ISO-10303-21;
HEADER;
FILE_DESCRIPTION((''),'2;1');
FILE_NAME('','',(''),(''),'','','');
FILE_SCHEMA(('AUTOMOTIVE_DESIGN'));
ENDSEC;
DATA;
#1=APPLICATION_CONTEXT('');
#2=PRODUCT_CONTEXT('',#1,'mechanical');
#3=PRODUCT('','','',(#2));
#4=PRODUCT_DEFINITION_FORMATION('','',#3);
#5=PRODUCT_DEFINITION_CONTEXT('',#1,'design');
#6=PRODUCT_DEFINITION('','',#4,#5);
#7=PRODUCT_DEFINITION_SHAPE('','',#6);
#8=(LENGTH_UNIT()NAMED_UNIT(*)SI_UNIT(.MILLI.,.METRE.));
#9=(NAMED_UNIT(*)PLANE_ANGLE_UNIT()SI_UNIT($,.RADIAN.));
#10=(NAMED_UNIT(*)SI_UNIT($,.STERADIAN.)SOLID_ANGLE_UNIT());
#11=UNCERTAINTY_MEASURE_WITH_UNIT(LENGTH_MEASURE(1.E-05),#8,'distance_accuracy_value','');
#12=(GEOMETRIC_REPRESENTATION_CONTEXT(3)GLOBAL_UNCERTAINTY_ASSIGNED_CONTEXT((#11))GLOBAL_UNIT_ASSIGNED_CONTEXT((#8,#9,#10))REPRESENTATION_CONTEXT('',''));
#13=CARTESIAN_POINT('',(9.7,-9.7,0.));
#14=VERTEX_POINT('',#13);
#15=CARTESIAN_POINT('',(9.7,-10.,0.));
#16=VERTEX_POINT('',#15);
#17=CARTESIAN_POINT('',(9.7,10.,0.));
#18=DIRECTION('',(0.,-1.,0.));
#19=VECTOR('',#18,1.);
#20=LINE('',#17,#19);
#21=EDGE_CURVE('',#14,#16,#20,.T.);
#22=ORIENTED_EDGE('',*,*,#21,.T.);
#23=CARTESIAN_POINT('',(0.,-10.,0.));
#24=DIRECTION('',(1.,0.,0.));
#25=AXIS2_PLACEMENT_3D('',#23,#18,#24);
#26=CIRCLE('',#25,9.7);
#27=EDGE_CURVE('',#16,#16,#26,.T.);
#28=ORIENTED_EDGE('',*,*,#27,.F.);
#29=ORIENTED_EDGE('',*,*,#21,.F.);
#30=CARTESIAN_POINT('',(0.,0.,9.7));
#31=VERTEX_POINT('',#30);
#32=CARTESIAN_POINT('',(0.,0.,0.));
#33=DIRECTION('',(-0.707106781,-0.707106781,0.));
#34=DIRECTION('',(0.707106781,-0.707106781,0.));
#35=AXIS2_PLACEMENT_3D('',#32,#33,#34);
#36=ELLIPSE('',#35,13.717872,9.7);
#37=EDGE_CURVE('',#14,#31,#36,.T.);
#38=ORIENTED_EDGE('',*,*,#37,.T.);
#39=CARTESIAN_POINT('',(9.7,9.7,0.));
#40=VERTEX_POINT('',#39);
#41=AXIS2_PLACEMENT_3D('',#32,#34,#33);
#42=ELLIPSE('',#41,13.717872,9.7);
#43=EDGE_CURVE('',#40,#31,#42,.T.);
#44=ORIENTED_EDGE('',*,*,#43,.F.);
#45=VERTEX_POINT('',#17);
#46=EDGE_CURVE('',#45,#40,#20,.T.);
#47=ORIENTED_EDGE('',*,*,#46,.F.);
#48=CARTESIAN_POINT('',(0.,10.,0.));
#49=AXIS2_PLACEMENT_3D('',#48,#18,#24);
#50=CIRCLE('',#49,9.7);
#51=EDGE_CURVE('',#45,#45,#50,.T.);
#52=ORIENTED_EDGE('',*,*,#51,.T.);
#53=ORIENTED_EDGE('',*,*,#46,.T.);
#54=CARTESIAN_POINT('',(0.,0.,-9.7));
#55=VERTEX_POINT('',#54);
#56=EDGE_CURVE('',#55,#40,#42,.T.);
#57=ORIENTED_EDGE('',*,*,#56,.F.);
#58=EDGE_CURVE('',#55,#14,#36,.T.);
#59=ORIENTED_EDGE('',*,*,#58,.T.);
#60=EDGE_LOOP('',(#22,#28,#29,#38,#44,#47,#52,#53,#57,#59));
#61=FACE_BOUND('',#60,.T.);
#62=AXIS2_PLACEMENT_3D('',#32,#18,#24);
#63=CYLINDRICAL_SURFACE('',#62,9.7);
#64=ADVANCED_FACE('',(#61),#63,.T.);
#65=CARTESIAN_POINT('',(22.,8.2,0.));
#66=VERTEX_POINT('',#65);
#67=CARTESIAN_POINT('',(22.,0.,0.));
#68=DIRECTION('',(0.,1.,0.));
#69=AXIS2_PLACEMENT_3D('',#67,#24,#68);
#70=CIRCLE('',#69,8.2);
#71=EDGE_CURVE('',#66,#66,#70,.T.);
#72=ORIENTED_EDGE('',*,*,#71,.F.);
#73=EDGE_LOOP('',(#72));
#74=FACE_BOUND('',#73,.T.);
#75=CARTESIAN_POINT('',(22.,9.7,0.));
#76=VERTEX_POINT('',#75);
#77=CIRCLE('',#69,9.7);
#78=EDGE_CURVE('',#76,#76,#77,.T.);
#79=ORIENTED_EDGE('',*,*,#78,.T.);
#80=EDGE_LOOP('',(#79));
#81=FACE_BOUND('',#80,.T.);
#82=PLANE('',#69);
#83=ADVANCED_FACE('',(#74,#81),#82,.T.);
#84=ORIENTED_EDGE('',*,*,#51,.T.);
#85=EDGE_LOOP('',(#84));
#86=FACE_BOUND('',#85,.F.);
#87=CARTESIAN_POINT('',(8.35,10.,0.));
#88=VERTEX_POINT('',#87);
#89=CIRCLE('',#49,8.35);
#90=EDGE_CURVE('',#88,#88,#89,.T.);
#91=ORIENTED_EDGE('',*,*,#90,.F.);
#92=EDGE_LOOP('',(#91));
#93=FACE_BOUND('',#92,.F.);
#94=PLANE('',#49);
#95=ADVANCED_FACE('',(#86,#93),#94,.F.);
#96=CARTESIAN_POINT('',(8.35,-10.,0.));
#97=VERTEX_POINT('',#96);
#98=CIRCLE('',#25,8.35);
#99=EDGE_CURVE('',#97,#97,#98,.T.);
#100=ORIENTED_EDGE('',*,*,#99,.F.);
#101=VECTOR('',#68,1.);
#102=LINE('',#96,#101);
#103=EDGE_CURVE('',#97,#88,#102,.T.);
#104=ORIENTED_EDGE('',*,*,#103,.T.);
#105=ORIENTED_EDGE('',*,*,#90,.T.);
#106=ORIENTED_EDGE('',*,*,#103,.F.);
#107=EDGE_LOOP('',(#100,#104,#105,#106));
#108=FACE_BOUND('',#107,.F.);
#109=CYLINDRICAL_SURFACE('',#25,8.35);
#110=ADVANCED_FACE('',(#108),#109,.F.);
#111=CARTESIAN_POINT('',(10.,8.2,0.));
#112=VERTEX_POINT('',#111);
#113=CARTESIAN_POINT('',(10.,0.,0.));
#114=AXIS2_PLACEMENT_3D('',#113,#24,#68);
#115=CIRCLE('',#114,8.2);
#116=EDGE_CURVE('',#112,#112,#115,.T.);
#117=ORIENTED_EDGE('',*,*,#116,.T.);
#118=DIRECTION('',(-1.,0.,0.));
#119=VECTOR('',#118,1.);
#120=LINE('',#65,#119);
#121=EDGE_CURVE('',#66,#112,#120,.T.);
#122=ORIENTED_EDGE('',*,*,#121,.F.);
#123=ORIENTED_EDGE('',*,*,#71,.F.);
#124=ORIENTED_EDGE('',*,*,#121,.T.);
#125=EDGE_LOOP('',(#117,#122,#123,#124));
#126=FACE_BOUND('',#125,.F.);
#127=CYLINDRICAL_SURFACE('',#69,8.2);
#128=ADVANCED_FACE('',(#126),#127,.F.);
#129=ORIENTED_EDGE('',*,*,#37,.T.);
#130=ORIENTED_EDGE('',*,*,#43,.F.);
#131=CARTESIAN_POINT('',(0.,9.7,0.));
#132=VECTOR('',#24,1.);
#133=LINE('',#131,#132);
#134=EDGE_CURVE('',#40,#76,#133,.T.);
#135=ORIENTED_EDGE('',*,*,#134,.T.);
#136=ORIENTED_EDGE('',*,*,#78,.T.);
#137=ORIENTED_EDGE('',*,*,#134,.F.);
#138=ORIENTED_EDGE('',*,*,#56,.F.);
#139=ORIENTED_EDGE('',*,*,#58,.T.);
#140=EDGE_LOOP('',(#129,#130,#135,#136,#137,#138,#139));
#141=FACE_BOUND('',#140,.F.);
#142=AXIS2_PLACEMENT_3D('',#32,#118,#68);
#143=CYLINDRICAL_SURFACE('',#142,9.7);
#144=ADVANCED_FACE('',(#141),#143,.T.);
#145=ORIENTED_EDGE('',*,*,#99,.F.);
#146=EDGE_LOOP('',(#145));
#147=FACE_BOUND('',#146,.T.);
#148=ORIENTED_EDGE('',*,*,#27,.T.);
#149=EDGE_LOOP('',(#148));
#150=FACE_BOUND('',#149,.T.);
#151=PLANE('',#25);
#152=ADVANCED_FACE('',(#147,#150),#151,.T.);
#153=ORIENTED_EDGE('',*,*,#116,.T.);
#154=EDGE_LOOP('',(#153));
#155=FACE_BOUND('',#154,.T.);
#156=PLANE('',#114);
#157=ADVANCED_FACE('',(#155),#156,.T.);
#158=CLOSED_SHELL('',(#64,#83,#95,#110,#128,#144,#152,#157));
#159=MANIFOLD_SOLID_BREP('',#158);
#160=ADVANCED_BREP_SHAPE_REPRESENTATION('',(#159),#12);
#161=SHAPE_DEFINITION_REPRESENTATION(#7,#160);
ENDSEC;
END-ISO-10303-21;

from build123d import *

# Parameters (mm, degrees)
SKETCH022_R     = 9.7
PAD007_DEPTH    = 10
SKETCH023_R     = 9.7
PAD008_DEPTH    = 22
SKETCH024_R     = 8.35
POCKET013_DEPTH = 23
SKETCH025_R     = 8.2
POCKET014_DEPTH = 12


with BuildPart() as part:
    # Sketch022 → Pad007 (new body, symmetric)
    with BuildSketch(Plane.XZ):
        Circle(SKETCH022_R)
    extrude(amount=PAD007_DEPTH, both=True)

    # Sketch023 → Pad008 (join)
    with BuildSketch(Plane.YZ):
        Circle(SKETCH023_R)
    extrude(amount=PAD008_DEPTH)

    # Sketch024 → Pocket013 (cut)
    with BuildSketch(Plane.XZ.offset(10)):
        Circle(SKETCH024_R)
    extrude(amount=-POCKET013_DEPTH, mode=Mode.SUBTRACT)

    # Sketch025 → Pocket014 (cut)
    with BuildSketch(Plane.YZ.offset(22)):
        Circle(SKETCH025_R)
    extrude(amount=-POCKET014_DEPTH, mode=Mode.SUBTRACT)


solid = part.part
